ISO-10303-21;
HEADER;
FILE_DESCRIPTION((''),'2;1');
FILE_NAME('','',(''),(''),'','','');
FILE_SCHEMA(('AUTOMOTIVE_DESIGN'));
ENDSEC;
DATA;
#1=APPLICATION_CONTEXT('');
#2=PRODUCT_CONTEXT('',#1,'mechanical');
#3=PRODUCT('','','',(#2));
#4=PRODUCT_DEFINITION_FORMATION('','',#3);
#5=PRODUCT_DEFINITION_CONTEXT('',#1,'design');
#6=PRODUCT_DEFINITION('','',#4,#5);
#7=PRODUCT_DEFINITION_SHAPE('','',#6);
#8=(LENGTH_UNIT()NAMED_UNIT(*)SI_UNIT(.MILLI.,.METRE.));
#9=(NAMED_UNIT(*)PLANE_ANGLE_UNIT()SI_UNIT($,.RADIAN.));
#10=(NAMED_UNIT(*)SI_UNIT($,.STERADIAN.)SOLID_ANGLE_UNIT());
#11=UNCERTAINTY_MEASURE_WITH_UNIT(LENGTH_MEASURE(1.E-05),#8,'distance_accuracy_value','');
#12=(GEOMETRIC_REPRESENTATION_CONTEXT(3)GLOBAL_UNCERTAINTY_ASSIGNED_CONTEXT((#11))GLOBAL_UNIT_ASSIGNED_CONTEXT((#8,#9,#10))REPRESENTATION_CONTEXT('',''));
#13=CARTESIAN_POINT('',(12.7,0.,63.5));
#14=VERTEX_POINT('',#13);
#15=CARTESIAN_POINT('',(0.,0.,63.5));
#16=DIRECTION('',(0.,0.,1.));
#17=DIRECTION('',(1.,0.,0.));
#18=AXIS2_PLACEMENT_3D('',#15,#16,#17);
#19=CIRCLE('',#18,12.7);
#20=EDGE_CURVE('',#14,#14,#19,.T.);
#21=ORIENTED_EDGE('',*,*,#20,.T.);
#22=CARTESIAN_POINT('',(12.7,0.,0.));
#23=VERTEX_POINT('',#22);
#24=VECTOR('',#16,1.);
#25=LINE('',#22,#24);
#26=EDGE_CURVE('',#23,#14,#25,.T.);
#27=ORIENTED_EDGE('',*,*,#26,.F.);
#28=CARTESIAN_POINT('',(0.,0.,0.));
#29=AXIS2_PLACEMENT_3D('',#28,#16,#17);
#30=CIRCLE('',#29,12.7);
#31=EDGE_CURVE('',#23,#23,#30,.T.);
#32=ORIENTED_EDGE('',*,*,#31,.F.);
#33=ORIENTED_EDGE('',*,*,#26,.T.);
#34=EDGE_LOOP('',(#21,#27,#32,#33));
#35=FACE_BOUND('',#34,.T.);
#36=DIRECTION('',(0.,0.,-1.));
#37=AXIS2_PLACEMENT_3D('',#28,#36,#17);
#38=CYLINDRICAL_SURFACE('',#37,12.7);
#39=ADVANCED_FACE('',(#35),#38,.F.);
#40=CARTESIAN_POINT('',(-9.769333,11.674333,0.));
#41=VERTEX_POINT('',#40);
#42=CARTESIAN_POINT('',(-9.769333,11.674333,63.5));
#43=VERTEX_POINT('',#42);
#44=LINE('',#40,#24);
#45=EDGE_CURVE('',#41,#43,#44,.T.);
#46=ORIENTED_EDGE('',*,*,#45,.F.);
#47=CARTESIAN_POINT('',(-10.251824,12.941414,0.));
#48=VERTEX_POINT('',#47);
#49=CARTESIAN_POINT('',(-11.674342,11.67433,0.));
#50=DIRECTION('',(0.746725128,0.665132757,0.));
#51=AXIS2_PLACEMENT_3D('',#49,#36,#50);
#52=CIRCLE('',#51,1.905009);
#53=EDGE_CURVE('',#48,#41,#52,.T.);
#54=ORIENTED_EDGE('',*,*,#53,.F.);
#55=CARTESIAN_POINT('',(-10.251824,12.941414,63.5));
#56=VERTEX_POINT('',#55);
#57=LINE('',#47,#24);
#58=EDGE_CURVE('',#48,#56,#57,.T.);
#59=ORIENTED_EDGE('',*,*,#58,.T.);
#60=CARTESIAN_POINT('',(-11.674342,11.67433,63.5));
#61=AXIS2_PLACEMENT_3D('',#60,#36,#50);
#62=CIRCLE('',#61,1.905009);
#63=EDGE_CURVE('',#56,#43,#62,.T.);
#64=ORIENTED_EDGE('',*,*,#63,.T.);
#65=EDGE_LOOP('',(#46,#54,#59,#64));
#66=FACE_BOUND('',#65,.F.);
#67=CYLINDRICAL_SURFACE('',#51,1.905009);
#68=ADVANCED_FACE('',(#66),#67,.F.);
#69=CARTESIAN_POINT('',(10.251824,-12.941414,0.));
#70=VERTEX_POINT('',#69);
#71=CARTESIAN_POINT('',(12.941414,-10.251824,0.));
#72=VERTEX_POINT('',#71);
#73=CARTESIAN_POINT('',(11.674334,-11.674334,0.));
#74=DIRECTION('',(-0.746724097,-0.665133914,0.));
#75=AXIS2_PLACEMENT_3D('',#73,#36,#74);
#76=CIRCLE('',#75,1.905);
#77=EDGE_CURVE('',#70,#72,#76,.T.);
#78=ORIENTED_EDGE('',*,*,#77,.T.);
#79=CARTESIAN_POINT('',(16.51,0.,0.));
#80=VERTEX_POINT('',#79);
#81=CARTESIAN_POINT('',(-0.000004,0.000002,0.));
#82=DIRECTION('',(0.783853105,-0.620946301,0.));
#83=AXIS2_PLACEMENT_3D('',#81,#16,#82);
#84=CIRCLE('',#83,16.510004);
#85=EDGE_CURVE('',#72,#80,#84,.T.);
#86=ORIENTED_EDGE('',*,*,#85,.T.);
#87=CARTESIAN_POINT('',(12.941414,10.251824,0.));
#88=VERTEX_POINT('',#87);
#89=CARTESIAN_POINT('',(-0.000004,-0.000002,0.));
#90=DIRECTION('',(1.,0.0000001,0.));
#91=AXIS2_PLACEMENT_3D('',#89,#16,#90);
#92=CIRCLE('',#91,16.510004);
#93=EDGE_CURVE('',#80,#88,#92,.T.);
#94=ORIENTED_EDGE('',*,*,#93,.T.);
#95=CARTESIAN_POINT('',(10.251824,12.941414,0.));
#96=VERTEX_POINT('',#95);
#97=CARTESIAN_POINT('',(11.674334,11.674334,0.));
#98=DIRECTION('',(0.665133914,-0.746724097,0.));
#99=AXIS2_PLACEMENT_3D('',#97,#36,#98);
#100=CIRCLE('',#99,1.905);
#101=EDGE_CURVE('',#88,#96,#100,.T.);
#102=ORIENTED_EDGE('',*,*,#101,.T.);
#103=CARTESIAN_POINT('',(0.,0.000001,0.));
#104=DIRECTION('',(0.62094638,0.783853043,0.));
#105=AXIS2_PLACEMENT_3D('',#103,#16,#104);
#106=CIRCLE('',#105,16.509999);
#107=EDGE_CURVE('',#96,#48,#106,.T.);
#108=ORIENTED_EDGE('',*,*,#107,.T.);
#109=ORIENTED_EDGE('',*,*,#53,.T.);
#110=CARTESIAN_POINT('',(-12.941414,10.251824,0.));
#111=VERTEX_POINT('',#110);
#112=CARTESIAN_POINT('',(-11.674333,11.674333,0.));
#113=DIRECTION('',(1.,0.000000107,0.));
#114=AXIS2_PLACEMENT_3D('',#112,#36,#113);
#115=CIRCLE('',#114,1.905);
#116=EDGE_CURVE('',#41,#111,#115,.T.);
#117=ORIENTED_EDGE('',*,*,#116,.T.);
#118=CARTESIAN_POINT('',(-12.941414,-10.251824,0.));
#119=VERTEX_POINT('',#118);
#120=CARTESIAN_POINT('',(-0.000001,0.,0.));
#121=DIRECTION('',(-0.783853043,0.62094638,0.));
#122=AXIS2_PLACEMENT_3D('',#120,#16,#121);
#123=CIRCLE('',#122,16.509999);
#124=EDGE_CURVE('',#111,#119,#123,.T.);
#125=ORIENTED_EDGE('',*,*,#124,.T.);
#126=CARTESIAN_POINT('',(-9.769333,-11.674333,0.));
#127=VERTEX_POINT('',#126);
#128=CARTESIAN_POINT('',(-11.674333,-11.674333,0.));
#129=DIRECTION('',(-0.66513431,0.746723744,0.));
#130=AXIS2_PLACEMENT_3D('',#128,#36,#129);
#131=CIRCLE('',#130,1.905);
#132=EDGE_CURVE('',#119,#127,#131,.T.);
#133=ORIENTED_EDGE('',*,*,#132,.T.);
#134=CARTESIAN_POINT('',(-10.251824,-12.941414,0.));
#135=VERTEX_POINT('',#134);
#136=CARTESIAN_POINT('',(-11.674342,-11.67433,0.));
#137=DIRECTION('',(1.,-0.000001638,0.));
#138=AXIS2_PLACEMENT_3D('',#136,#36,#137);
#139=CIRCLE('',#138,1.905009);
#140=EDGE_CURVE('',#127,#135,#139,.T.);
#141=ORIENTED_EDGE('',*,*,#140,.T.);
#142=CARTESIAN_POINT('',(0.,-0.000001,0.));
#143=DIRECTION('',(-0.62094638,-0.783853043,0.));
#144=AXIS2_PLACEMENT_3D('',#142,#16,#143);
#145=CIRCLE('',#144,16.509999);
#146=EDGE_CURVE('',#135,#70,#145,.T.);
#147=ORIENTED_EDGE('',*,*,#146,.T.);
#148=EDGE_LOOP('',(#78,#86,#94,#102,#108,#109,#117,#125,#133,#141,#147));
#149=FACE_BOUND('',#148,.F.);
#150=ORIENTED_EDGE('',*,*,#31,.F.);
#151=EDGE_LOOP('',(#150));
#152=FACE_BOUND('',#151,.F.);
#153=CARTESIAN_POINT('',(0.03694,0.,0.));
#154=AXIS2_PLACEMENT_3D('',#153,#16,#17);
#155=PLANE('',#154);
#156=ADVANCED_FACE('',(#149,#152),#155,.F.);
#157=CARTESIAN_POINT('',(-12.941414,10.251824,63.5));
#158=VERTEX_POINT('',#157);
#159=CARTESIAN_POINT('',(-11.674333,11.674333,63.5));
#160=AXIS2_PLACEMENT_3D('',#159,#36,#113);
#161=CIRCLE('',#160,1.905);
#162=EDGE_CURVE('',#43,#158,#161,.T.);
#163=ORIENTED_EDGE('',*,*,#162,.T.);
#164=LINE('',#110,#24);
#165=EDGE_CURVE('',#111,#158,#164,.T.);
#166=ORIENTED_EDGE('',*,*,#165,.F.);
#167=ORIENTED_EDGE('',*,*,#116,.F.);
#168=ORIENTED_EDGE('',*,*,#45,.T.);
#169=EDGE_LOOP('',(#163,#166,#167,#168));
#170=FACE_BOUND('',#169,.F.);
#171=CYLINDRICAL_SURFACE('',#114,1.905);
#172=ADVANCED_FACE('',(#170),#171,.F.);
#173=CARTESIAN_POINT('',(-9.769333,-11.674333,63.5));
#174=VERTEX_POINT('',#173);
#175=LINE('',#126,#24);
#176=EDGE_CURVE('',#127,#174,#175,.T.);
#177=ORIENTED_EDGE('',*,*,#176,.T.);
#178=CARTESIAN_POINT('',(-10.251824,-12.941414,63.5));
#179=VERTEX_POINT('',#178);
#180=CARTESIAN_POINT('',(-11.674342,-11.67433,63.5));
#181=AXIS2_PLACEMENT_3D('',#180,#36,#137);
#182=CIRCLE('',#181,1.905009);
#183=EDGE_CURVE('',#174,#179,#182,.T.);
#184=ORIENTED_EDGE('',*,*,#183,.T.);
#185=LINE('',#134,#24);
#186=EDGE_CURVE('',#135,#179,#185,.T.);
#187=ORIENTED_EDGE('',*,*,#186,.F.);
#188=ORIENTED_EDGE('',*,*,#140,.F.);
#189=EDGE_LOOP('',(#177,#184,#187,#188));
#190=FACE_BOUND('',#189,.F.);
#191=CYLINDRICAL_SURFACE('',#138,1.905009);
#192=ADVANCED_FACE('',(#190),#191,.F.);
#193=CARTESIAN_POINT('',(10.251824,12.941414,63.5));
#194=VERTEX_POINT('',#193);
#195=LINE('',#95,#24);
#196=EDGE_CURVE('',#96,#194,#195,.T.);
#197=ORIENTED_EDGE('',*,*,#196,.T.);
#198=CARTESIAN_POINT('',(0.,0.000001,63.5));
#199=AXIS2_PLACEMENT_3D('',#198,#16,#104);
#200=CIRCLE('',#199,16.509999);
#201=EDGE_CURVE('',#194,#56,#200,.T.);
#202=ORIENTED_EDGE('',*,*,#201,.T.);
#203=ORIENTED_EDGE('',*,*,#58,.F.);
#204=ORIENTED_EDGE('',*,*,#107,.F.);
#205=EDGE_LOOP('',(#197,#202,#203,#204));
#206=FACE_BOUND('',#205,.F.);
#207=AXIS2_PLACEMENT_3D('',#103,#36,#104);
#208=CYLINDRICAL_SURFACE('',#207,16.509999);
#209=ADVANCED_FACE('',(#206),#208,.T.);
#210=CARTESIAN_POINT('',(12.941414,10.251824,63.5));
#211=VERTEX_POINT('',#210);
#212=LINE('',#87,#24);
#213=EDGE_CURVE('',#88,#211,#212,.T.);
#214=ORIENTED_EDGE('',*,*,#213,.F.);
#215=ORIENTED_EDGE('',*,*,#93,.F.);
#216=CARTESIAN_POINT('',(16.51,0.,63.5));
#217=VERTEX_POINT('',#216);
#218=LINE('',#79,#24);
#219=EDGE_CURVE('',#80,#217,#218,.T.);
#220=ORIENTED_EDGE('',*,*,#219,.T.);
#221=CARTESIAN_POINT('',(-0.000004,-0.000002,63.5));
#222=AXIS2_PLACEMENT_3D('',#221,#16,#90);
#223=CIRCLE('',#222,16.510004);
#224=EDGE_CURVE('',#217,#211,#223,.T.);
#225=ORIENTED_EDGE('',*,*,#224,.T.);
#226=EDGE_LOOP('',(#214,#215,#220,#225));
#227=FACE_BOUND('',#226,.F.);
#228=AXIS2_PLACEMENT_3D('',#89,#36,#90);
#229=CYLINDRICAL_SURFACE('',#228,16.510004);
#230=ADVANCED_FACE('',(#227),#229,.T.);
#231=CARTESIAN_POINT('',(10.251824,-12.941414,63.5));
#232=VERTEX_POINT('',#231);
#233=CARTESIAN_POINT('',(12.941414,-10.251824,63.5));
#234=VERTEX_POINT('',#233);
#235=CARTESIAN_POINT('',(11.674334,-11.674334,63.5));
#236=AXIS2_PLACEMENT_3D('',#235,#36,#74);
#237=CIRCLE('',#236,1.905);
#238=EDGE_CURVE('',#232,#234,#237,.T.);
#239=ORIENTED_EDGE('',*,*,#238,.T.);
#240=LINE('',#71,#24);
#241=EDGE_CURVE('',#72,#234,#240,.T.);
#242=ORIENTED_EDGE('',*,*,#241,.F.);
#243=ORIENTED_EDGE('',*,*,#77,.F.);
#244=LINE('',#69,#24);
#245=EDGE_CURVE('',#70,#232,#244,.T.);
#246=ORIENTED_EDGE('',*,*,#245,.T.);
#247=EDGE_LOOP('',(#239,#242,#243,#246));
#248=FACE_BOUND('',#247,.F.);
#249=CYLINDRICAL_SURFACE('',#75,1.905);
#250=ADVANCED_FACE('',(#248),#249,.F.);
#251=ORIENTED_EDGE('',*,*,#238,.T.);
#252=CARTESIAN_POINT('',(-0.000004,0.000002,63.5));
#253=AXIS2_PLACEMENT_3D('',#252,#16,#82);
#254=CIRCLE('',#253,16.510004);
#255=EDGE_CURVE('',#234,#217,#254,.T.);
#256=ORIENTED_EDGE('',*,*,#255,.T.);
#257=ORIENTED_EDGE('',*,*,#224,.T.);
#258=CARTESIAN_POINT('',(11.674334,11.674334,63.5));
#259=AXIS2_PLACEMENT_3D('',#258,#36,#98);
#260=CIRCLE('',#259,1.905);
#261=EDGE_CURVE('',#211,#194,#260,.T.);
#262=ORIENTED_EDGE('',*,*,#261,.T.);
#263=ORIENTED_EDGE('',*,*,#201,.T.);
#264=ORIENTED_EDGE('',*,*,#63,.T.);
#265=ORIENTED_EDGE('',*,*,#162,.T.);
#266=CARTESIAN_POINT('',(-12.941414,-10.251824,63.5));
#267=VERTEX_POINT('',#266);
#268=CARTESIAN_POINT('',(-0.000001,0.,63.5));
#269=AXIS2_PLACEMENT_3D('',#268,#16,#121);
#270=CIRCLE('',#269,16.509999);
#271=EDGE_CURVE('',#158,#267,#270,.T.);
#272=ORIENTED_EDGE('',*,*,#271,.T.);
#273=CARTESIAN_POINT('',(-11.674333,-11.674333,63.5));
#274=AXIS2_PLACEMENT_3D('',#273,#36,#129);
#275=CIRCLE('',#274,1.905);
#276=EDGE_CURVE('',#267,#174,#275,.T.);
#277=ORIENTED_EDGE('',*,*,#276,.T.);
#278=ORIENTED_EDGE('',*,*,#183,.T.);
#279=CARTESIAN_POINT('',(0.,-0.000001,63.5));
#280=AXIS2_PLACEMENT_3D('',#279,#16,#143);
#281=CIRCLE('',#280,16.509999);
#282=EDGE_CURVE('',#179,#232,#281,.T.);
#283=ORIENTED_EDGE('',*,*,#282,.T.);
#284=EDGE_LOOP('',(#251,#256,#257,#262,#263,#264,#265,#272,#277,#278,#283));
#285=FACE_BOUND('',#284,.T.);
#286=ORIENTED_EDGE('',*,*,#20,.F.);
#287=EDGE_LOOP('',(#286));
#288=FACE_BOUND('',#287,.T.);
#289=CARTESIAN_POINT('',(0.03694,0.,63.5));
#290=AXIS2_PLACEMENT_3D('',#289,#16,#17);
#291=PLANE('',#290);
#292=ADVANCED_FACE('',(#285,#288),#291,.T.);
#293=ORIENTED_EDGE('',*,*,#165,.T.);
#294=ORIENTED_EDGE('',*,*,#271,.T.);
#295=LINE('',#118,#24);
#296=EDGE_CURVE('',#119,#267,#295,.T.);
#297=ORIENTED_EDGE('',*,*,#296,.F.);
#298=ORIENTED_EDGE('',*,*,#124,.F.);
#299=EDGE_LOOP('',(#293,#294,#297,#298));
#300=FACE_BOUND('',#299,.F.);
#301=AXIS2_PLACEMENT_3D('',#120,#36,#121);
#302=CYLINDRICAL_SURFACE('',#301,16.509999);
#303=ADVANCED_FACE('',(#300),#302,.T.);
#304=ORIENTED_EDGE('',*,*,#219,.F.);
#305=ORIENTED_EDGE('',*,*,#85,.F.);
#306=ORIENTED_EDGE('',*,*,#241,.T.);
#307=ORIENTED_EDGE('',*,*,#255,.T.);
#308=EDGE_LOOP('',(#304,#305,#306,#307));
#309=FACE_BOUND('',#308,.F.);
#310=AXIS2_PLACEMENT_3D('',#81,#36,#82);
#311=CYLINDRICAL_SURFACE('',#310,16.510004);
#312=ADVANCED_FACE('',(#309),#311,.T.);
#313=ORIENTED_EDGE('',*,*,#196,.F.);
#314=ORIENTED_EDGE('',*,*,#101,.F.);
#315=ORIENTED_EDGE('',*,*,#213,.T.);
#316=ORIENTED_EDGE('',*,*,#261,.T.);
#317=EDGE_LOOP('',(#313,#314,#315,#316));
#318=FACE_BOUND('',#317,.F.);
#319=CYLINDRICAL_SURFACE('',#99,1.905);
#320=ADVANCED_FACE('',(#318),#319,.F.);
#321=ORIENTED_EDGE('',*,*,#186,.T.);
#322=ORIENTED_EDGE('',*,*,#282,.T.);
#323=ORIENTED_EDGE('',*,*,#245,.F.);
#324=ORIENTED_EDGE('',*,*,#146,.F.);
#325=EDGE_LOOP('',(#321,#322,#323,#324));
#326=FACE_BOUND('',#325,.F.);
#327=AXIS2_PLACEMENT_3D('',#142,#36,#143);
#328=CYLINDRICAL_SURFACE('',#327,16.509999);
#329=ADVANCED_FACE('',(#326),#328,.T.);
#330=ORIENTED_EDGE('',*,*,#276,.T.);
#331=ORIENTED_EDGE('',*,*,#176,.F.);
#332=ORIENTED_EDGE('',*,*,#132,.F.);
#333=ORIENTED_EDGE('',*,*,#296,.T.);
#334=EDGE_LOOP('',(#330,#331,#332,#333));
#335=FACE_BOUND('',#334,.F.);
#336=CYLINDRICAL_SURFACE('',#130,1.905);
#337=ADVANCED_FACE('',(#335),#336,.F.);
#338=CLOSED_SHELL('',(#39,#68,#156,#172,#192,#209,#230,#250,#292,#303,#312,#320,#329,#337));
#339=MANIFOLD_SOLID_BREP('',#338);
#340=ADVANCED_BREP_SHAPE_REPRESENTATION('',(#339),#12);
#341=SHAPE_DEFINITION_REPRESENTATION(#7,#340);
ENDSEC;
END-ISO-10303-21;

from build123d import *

# Parameters (mm, degrees)
F0_R     = 12.7
F1_DEPTH = 63.5


with BuildPart() as f1:
    # F0 (on Top) → F1 (new body)
    with BuildSketch(Plane.XY):
        with BuildLine():
            ThreePointArc((12.941414, -10.251824), (15.592351, -5.427585), (16.51, 0))
            ThreePointArc((16.51, 0), (15.592351, 5.427585), (12.941414, 10.251824))
            ThreePointArc((12.941414, 10.251824), (10.327295, 10.327295), (10.251824, 12.941414))
            ThreePointArc((10.251824, 12.941414), (0, 16.51), (-10.251824, 12.941414))
            ThreePointArc((-10.251824, 12.941414), (-9.894038, 12.352251), (-9.769333, 11.674333))
            ThreePointArc((-9.769333, 11.674333), (-10.894835, 9.936113), (-12.941414, 10.251824))
            ThreePointArc((-12.941414, 10.251824), (-16.51, 0), (-12.941414, -10.251824))
            ThreePointArc((-12.941414, -10.251824), (-10.894835, -9.936113), (-9.769333, -11.674333))
            ThreePointArc((-9.769333, -11.674333), (-9.894038, -12.352251), (-10.251824, -12.941414))
            ThreePointArc((-10.251824, -12.941414), (0, -16.51), (10.251824, -12.941414))
            ThreePointArc((10.251824, -12.941414), (10.327295, -10.327295), (12.941414, -10.251824))
        make_face()
        Circle(F0_R, mode=Mode.SUBTRACT)
    extrude(amount=F1_DEPTH)


solid = f1.part
